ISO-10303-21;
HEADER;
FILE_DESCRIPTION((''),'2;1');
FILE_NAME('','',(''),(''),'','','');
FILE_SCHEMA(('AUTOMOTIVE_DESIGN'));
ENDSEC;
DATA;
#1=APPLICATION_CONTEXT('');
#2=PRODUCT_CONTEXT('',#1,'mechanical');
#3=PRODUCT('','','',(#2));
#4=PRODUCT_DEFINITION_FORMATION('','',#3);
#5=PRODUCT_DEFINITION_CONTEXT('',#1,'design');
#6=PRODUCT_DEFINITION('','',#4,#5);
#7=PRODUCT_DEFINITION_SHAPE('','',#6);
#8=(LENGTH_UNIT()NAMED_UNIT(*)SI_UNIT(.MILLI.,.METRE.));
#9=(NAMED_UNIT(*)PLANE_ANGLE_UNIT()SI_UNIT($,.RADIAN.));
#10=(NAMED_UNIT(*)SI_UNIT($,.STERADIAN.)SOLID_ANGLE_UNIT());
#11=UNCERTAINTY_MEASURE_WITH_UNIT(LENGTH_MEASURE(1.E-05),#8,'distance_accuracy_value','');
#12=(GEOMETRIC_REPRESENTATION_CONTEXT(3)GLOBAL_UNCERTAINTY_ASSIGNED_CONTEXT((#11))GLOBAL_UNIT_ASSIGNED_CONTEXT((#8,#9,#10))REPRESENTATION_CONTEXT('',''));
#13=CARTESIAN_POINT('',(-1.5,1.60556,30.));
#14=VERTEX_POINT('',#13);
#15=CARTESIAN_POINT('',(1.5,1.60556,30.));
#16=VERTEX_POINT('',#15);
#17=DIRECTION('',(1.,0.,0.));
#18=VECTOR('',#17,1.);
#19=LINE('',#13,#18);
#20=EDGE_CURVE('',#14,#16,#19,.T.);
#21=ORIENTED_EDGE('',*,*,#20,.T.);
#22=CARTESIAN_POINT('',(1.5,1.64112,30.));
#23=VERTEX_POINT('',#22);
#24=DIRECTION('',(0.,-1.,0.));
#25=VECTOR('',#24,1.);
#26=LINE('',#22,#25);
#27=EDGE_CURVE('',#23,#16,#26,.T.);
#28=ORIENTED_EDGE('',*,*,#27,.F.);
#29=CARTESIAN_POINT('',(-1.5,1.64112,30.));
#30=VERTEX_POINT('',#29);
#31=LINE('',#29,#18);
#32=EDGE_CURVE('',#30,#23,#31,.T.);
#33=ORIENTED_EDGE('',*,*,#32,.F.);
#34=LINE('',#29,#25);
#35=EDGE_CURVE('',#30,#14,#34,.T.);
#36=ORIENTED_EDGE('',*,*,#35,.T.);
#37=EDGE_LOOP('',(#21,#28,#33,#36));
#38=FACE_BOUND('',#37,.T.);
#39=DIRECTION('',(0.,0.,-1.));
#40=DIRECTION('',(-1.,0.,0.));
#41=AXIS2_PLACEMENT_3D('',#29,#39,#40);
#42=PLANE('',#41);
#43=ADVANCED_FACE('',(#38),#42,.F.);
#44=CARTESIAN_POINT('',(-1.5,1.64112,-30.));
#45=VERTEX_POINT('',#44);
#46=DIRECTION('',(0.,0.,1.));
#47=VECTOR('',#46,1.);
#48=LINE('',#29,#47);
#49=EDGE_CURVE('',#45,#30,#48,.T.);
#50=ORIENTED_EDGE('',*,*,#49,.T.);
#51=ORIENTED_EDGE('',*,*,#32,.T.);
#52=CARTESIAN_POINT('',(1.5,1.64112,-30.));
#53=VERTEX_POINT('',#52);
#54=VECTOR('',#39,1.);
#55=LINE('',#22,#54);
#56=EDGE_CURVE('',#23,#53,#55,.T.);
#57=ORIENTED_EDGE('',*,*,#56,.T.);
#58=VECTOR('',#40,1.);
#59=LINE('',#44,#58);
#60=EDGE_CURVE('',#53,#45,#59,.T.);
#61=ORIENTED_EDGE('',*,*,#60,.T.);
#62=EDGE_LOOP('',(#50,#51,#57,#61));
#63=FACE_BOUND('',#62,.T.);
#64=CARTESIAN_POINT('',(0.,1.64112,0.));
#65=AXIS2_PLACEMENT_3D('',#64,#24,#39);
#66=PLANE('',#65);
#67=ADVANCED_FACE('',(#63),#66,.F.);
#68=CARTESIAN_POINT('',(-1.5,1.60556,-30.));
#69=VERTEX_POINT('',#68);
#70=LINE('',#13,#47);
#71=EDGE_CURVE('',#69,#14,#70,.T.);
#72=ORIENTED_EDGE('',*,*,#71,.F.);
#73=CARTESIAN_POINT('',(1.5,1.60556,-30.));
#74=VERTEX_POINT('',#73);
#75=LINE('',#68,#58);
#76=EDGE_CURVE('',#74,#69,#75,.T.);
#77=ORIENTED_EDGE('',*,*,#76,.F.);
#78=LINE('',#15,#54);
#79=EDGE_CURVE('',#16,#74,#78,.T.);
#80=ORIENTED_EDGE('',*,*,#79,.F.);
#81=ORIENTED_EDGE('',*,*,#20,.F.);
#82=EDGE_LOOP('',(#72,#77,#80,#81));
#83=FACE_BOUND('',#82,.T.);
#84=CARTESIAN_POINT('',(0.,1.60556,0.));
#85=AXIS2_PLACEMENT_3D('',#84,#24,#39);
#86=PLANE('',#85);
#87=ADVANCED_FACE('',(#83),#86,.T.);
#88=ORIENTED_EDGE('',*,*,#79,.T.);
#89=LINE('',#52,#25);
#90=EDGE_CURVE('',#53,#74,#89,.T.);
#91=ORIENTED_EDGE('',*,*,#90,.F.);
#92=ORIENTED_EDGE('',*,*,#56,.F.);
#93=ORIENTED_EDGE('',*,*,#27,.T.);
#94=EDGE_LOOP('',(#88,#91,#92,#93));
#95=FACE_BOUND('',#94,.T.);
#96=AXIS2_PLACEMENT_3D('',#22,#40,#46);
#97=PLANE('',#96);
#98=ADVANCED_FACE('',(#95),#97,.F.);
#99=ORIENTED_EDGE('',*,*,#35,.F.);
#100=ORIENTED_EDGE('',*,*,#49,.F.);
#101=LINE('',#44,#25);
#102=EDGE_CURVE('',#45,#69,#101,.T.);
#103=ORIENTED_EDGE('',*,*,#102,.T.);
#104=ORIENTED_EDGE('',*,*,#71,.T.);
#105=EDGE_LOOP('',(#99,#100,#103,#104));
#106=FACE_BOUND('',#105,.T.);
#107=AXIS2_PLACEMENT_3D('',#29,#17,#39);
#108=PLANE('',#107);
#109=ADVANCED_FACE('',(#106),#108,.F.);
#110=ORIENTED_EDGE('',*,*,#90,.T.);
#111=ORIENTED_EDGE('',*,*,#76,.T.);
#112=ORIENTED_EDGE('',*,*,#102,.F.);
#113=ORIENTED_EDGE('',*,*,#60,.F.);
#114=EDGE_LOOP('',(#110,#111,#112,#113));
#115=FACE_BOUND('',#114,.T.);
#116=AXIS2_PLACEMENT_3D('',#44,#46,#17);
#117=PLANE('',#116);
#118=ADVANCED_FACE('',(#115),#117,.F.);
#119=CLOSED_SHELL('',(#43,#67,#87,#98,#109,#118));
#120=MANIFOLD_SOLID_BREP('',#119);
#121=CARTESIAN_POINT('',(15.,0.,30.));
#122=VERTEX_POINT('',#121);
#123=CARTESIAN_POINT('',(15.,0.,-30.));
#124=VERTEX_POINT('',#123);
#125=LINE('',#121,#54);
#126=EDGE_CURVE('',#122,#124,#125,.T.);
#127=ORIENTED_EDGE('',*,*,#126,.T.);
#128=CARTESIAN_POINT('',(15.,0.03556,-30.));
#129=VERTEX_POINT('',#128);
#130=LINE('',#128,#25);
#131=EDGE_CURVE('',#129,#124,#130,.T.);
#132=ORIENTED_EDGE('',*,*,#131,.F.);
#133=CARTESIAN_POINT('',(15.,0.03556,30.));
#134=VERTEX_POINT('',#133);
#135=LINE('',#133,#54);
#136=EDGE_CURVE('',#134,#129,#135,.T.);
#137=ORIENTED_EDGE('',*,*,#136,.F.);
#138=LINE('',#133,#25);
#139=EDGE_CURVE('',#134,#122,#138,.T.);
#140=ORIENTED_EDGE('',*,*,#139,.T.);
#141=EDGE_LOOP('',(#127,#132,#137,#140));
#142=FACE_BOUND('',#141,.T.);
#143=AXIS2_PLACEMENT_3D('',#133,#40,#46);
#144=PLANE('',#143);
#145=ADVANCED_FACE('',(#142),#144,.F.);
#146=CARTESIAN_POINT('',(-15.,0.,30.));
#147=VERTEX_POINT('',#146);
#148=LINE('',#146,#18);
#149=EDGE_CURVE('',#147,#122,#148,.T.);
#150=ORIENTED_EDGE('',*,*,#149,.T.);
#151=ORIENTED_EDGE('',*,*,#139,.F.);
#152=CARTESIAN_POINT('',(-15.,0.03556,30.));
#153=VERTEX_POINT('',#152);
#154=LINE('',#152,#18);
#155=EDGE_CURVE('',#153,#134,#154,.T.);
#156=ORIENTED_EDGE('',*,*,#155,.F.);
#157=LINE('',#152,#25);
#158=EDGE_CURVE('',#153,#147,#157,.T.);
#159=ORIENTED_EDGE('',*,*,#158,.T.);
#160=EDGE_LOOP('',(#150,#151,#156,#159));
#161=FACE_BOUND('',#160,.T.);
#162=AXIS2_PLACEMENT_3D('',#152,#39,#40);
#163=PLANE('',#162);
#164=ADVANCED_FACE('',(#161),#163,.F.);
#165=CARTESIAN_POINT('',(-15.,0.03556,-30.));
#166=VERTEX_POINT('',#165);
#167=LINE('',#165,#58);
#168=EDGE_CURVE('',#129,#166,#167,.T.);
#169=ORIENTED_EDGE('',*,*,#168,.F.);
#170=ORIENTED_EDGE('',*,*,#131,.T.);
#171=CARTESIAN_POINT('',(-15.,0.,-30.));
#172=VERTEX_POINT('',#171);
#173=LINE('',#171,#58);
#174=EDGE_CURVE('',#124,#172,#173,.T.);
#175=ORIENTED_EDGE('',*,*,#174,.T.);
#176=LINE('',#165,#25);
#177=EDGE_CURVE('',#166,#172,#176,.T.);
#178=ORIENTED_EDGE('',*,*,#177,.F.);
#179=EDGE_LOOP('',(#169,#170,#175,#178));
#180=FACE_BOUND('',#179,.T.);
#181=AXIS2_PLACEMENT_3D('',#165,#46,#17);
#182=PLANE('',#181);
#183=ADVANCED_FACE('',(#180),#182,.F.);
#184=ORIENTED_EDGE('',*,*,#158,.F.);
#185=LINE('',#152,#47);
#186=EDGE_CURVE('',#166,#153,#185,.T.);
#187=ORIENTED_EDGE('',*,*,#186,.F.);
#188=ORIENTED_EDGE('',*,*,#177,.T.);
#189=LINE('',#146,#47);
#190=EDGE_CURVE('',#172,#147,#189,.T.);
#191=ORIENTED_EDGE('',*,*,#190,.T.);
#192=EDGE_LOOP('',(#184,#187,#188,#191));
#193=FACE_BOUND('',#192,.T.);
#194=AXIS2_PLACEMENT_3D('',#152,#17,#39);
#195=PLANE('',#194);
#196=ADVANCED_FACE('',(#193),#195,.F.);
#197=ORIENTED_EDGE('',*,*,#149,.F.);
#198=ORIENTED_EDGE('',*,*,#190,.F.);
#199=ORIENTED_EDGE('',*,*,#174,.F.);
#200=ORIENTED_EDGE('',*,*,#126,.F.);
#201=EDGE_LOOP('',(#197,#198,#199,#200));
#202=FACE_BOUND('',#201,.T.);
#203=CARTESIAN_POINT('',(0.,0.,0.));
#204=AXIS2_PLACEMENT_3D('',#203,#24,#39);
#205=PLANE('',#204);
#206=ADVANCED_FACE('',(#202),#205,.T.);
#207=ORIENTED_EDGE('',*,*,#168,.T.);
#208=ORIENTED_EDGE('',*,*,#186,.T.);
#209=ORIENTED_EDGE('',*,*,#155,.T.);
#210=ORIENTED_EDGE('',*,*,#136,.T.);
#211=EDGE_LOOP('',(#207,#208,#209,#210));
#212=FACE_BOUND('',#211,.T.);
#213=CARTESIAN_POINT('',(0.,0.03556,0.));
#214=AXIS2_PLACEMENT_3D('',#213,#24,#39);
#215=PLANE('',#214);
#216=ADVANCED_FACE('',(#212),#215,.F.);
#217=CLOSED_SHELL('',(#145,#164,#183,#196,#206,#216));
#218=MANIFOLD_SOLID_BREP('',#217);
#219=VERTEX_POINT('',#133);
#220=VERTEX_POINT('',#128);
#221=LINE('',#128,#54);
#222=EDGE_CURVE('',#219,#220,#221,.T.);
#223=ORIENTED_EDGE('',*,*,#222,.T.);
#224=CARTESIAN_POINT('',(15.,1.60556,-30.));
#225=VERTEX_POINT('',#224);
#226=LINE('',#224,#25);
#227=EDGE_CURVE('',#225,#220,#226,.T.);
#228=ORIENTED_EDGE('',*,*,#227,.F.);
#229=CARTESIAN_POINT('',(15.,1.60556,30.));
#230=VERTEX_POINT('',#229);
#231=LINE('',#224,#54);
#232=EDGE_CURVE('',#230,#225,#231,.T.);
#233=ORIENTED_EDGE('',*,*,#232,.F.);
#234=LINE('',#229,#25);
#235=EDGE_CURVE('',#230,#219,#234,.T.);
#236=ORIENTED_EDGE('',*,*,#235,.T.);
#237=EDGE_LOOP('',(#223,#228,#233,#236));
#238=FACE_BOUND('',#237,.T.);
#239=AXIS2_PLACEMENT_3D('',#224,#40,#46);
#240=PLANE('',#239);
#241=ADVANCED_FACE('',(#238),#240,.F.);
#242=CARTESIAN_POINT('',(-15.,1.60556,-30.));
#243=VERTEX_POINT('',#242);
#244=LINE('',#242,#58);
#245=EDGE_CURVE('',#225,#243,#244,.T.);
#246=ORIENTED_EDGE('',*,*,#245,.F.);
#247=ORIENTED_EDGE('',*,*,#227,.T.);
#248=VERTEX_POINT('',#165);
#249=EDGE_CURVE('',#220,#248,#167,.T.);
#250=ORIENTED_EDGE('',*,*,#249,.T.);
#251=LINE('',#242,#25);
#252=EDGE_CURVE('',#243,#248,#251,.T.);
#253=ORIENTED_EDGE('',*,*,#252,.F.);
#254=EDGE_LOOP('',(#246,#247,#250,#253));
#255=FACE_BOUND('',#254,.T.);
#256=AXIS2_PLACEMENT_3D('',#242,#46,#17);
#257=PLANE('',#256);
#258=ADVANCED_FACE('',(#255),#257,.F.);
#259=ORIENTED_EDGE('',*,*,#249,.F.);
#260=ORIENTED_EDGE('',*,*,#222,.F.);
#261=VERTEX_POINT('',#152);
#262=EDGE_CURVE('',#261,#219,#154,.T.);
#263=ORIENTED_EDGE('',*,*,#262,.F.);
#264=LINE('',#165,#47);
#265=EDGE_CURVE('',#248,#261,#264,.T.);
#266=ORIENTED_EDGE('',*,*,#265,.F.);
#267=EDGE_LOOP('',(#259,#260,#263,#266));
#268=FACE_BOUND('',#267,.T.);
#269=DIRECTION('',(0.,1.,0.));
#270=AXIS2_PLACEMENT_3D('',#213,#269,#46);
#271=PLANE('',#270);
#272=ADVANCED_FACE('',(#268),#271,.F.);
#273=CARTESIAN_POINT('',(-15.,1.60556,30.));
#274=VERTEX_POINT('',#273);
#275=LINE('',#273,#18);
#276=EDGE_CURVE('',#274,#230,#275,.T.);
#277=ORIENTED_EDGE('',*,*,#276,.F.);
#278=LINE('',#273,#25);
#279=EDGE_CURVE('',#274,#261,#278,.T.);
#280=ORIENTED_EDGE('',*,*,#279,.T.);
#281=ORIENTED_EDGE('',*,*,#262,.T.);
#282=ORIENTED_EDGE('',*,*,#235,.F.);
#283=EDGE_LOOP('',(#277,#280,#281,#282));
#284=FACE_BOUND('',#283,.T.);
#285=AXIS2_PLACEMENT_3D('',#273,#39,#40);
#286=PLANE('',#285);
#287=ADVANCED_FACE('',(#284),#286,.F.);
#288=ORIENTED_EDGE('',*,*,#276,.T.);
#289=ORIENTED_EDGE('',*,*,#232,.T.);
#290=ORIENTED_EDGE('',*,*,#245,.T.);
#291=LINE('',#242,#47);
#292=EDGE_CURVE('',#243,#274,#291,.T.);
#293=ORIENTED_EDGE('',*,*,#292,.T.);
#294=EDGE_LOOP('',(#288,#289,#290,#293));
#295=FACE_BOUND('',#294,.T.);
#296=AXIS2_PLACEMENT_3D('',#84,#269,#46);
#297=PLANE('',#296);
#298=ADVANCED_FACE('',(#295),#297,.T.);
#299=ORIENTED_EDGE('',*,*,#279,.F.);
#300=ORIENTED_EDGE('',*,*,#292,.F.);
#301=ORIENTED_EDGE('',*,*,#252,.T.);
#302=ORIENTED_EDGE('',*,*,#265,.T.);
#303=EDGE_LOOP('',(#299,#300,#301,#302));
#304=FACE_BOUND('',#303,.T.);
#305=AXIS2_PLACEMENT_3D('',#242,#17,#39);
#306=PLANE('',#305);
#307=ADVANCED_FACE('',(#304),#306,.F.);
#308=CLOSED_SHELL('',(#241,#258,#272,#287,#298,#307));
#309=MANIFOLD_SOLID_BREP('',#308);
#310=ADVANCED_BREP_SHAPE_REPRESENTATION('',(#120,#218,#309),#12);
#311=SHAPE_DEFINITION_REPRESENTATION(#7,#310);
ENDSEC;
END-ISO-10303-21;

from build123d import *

# Parameters (mm, degrees)
SKETCH2_W           = 30
SKETCH2_H           = 60
BOSS_EXTRUDE1_DEPTH = 0.03556
SKETCH3_W           = 30
SKETCH3_H           = 60
BOSS_EXTRUDE2_DEPTH = 1.57
SKETCH4_W           = 3
SKETCH4_H           = 60
BOSS_EXTRUDE3_DEPTH = 0.03556


with BuildPart() as part:
    # Sketch2 → Boss-Extrude1 (new body)
    with BuildSketch(Plane(origin=(0, 0, 0), x_dir=(1, 0, 0), z_dir=(0, 1, 0))):
        Rectangle(SKETCH2_W, SKETCH2_H)
    extrude(amount=BOSS_EXTRUDE1_DEPTH)


with BuildPart() as body_2:
    # Sketch3 → Boss-Extrude2 (new body)
    with BuildSketch(Plane(origin=(0, 0.03556, 0), x_dir=(1, 0, 0), z_dir=(0, 1, 0))):
        Rectangle(SKETCH3_W, SKETCH3_H)
    extrude(amount=BOSS_EXTRUDE2_DEPTH)


with BuildPart() as body_3:
    # Sketch4 → Boss-Extrude3 (new body)
    with BuildSketch(Plane(origin=(0, 1.60556, 0), x_dir=(1, 0, 0), z_dir=(0, 1, 0))):
        Rectangle(SKETCH4_W, SKETCH4_H)
    extrude(amount=BOSS_EXTRUDE3_DEPTH)


solid = Compound([part.part, body_2.part, body_3.part])
